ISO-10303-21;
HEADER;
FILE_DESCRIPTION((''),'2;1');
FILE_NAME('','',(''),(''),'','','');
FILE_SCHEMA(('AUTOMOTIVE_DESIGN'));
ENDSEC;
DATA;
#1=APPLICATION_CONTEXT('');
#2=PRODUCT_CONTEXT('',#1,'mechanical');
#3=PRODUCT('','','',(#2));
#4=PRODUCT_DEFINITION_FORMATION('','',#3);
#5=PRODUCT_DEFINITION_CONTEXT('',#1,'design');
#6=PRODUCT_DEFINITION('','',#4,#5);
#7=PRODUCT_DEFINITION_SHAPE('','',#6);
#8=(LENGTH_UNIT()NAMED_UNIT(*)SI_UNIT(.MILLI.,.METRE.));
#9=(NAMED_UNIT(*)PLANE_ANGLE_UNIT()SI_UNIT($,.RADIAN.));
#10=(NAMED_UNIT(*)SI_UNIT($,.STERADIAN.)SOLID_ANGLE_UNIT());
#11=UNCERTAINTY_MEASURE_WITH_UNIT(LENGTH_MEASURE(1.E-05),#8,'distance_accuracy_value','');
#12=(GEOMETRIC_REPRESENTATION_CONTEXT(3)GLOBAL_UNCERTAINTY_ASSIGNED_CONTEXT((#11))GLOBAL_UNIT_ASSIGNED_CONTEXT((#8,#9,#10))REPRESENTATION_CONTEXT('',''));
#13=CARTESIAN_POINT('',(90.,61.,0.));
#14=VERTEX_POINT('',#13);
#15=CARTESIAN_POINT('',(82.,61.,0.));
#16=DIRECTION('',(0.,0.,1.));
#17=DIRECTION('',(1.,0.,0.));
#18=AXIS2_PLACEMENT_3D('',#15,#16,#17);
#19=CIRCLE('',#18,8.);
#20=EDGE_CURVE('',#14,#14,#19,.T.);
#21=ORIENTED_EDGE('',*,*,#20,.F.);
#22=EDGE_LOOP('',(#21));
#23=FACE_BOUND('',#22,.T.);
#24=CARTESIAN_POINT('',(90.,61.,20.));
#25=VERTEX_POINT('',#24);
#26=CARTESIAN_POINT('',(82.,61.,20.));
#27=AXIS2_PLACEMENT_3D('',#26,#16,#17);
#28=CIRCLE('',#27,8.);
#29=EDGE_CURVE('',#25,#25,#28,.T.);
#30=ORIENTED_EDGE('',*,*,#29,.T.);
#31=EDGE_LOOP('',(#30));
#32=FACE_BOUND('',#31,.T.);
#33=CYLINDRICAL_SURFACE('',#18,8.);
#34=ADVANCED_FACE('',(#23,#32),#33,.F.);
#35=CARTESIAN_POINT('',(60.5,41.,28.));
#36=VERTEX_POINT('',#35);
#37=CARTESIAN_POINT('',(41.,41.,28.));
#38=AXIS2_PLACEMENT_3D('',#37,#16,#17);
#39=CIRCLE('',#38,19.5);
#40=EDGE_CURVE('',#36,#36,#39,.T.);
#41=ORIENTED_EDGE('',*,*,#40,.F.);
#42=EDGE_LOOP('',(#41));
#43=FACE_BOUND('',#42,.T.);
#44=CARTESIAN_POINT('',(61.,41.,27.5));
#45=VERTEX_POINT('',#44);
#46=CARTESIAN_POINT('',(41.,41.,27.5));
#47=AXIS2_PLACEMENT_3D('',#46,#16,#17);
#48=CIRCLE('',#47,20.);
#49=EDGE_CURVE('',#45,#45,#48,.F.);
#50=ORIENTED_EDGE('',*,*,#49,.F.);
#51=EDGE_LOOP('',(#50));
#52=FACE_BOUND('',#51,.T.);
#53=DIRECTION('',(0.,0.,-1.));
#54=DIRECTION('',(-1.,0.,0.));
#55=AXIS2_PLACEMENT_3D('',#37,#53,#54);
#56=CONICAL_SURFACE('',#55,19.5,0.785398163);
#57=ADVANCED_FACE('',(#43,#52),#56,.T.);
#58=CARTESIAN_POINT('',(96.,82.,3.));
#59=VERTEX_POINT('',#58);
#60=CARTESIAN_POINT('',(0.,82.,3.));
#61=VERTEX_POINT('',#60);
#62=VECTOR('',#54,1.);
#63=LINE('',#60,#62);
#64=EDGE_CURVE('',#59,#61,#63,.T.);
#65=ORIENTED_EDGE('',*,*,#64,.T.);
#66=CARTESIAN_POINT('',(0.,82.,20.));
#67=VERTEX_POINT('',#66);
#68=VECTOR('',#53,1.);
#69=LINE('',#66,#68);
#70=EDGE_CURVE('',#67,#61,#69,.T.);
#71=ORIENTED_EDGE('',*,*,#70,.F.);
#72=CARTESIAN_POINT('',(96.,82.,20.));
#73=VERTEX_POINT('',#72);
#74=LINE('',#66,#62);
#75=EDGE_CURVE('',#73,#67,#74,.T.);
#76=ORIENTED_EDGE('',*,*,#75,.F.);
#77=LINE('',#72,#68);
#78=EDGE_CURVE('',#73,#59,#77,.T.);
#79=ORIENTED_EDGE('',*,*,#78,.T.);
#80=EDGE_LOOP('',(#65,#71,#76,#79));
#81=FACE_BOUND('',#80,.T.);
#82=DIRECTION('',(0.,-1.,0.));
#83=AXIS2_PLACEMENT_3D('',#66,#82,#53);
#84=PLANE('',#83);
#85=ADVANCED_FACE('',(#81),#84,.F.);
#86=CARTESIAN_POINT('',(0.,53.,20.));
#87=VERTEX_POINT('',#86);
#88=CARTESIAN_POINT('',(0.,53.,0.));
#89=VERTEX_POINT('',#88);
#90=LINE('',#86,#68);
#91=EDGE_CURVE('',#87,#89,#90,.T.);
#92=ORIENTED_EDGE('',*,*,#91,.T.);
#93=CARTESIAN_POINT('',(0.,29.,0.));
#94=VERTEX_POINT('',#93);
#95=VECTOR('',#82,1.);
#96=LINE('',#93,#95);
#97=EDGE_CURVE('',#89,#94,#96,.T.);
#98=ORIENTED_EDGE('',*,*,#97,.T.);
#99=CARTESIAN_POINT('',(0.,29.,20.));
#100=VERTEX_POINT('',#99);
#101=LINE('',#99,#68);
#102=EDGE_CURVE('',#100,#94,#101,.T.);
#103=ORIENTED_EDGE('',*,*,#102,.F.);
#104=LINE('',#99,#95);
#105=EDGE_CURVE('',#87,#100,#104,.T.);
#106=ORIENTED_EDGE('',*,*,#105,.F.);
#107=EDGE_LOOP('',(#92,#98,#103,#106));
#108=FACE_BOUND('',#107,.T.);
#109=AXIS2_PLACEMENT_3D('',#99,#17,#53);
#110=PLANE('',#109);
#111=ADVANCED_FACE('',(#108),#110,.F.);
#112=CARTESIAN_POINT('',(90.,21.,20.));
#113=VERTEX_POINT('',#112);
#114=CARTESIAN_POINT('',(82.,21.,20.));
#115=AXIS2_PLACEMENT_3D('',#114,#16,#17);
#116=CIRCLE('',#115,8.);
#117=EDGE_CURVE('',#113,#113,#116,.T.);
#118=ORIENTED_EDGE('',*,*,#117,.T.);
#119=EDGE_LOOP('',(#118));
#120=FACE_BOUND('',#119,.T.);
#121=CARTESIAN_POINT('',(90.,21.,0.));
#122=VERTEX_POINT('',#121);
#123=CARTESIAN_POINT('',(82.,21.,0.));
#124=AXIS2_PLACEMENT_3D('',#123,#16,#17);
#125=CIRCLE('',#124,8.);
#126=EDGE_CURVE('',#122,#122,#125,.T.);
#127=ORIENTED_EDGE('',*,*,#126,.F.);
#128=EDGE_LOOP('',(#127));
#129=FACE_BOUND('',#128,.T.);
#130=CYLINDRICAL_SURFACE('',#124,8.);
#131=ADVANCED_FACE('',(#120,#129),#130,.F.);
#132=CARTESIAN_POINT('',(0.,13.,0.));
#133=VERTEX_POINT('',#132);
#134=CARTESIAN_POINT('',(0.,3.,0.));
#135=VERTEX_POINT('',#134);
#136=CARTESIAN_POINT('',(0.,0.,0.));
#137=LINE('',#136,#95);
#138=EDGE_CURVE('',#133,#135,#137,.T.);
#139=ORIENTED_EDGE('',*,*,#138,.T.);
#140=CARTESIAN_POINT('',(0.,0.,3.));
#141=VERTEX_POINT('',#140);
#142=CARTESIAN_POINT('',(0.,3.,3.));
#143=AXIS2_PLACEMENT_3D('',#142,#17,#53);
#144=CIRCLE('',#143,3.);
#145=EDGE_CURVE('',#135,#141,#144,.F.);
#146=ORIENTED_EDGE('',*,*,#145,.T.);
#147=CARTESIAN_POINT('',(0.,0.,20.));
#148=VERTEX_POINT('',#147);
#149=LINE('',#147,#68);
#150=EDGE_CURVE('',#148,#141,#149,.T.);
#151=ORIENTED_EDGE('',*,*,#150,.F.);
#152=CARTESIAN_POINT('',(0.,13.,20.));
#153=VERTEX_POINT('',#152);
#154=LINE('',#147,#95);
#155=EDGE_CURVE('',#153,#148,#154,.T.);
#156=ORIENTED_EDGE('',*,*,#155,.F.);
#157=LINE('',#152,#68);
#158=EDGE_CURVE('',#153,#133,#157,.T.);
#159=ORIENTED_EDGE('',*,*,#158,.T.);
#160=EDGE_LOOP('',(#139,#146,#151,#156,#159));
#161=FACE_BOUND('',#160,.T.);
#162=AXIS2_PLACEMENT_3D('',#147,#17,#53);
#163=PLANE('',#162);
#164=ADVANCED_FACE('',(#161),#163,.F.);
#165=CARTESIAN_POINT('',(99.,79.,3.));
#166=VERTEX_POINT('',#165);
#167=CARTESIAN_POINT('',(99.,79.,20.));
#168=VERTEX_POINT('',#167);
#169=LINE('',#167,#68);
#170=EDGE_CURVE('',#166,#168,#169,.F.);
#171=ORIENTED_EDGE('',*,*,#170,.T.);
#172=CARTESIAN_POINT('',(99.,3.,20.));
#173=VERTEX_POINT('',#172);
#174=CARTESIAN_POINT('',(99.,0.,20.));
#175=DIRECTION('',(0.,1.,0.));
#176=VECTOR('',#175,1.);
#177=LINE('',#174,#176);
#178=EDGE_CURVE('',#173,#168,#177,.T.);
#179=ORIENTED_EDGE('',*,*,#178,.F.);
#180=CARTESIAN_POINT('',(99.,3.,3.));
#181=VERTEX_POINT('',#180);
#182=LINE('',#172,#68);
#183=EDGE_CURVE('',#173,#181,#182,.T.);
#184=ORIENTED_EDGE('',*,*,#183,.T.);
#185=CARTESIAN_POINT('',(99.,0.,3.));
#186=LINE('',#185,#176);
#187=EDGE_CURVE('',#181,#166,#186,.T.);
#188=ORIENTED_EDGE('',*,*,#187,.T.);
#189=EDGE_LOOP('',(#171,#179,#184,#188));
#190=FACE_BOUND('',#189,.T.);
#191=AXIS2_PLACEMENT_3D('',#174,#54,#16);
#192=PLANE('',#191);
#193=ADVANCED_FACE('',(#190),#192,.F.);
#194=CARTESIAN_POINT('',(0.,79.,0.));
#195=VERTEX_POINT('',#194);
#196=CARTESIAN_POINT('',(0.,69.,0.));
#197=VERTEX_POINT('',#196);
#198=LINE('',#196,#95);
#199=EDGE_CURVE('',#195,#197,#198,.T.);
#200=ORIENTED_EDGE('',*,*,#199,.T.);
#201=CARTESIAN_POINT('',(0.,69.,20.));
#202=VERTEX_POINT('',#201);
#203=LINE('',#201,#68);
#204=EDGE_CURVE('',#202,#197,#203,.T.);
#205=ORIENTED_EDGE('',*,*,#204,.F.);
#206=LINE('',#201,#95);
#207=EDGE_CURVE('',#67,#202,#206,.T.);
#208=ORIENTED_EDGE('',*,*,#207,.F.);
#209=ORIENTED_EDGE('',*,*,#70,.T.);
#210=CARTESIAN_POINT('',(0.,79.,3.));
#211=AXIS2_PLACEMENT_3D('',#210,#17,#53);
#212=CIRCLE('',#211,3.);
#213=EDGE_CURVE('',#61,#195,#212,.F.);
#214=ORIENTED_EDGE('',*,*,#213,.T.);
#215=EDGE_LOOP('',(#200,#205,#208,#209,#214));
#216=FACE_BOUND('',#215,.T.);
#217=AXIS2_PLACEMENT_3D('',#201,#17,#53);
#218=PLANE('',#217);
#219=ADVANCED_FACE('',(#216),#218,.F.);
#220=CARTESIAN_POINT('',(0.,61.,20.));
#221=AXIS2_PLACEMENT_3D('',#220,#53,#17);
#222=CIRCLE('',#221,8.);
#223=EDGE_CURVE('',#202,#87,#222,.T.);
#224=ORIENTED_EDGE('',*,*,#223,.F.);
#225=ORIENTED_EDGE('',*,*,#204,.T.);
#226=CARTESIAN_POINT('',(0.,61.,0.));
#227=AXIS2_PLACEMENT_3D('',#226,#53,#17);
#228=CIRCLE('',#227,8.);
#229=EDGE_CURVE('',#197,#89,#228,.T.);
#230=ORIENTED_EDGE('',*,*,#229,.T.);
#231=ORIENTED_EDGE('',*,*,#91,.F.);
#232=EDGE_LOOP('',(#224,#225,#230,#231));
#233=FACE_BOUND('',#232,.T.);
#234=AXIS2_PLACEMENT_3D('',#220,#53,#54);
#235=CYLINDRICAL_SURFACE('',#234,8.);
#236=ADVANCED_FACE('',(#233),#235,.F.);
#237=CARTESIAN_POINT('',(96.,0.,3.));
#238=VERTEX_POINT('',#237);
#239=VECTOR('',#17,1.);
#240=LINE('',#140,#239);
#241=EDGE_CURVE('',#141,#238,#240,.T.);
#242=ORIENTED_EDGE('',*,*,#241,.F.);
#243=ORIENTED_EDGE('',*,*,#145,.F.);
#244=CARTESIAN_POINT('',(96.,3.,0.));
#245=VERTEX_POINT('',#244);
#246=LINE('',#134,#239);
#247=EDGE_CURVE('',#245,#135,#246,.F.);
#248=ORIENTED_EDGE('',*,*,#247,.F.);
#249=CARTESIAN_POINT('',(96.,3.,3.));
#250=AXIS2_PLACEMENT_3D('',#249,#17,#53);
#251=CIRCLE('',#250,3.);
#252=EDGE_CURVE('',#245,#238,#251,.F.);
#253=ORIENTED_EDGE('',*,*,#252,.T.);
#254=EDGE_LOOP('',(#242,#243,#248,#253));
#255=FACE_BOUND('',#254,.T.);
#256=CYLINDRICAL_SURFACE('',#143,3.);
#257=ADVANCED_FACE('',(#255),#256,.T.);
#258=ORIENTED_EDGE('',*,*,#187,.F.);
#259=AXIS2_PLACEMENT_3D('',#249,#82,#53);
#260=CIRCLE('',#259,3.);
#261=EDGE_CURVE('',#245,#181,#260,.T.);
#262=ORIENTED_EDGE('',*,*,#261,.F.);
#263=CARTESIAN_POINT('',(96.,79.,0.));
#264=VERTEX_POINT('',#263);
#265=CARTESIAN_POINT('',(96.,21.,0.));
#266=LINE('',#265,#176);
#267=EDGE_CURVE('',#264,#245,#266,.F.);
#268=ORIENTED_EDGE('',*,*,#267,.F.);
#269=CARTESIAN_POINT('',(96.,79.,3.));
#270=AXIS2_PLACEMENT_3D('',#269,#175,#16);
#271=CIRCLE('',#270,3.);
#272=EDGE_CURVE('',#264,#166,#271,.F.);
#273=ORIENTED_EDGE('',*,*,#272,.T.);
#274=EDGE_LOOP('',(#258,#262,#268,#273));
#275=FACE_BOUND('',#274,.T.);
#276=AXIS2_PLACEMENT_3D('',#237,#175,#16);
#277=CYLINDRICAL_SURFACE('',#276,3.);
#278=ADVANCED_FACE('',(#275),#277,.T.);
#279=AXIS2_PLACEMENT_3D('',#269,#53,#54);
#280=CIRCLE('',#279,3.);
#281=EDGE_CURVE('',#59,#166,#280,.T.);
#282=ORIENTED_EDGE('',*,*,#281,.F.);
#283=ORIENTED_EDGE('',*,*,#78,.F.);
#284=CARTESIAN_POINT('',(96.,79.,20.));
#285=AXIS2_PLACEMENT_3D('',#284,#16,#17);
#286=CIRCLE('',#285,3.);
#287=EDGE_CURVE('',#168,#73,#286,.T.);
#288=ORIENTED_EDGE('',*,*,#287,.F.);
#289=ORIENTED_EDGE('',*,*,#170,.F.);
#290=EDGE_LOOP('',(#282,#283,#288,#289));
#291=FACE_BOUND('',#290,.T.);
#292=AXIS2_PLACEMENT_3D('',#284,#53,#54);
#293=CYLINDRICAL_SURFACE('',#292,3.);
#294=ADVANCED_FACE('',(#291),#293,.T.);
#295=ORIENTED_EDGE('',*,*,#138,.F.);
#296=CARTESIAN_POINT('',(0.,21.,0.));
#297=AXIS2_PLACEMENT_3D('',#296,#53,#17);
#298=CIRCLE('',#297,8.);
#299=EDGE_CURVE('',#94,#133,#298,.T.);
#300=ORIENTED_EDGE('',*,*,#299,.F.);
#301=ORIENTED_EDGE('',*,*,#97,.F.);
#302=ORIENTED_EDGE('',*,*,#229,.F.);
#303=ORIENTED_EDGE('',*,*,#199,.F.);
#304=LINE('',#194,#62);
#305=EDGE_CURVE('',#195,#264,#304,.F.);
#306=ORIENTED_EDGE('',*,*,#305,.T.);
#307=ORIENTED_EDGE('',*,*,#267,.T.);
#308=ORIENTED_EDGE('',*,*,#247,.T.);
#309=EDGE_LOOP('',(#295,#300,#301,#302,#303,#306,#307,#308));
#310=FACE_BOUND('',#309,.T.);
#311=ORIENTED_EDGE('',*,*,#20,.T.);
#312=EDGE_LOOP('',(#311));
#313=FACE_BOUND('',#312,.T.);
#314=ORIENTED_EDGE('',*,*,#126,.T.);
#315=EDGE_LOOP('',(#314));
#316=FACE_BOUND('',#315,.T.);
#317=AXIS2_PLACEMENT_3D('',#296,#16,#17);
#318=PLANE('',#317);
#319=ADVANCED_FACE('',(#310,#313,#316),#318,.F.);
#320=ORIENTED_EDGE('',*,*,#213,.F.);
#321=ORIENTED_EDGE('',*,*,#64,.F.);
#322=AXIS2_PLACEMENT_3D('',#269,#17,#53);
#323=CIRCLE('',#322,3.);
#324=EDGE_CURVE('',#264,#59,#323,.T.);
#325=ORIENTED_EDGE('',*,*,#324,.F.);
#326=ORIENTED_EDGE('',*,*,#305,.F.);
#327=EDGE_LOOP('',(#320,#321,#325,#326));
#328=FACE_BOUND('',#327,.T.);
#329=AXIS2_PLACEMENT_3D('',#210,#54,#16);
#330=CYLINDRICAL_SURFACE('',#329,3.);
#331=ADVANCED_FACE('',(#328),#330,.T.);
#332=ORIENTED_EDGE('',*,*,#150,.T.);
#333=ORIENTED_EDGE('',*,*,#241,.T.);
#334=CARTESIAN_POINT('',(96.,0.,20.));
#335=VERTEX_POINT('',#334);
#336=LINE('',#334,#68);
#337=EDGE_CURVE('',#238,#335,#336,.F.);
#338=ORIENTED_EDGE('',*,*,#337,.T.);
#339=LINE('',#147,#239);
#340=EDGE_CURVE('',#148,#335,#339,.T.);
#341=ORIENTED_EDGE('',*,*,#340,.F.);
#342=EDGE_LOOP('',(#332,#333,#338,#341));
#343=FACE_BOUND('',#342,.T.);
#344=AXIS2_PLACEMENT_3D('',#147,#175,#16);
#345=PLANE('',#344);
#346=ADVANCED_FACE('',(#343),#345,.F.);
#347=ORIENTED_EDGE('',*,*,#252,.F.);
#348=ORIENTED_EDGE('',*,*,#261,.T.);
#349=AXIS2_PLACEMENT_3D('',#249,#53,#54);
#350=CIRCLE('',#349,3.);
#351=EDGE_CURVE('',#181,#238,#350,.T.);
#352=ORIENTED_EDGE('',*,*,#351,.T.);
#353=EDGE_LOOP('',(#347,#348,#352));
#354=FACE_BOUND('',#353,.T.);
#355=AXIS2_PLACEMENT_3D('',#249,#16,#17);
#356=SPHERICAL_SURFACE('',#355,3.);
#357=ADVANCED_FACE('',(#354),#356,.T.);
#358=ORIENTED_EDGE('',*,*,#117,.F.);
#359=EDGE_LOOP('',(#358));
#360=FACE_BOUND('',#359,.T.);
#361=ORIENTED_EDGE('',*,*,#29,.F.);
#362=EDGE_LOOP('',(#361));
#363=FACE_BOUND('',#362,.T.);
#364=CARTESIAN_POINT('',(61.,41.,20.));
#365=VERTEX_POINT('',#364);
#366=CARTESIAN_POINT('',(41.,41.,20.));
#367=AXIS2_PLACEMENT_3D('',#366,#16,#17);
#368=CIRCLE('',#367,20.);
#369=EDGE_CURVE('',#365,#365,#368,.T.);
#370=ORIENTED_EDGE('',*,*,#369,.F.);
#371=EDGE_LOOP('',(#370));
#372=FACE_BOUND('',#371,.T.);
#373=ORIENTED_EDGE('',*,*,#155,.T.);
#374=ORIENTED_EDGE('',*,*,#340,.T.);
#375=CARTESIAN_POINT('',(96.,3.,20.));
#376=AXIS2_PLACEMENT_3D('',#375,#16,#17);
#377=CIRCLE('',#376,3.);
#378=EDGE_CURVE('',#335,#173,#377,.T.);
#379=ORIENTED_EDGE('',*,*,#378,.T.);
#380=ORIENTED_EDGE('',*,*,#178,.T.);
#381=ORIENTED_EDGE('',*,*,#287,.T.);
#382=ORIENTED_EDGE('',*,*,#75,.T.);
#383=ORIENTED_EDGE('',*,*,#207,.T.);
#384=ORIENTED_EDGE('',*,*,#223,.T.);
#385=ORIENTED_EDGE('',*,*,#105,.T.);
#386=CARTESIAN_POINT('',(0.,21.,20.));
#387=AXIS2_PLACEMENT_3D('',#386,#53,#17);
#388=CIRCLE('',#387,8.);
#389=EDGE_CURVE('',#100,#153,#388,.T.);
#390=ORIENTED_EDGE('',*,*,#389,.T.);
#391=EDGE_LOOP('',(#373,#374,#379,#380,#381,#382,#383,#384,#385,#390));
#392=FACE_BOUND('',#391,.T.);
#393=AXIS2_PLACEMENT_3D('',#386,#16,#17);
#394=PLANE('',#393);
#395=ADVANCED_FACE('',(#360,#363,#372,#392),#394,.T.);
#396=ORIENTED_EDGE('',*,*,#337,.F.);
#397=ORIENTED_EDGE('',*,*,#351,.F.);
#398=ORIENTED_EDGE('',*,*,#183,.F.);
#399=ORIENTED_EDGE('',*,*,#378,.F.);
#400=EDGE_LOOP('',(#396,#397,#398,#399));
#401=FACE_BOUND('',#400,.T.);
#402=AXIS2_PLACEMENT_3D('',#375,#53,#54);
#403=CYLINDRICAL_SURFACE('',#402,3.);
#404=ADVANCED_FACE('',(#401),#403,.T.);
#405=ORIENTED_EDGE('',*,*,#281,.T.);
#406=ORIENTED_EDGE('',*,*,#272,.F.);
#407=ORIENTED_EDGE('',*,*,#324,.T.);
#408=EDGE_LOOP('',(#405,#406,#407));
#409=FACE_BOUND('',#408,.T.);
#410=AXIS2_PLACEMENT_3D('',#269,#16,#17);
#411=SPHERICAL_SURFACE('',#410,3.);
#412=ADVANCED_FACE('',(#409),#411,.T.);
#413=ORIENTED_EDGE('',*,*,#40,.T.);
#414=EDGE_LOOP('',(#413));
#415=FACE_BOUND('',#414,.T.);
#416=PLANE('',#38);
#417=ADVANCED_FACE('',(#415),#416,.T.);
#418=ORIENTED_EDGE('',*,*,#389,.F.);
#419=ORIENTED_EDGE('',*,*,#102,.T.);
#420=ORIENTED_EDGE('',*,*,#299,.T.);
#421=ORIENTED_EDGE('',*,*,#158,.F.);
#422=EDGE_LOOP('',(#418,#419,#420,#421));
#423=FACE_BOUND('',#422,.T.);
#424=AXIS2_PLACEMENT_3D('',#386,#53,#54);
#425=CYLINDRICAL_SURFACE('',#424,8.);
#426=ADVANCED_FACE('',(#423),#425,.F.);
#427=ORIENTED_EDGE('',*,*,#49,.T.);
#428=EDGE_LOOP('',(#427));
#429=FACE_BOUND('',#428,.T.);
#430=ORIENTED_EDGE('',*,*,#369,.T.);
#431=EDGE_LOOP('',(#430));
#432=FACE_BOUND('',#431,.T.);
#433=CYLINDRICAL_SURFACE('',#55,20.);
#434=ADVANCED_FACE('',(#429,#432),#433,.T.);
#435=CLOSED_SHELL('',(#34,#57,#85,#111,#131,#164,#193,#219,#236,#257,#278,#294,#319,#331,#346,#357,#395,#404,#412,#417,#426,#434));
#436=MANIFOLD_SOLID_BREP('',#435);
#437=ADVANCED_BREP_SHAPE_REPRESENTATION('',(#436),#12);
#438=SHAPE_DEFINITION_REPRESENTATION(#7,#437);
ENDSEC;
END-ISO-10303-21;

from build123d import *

# Parameters (mm, degrees)
BOSS_EXTRUDE1_DEPTH = 20
SKETCH2_R           = 8
CUT_EXTRUDE1_DEPTH  = 21
LPATTERN1_COUNT     = 2
LPATTERN1_PITCH     = 40
SKETCH3_R           = 20
BOSS_EXTRUDE2_DEPTH = 8
CHAMFER1_SIZE       = 0.5
FILLET1_R           = 3


with BuildPart() as part:
    # Sketch1 → Boss-Extrude1 (new body)
    with BuildSketch(Plane.XY):
        with BuildLine():
            Line((0, 69), (0, 82))
            Line((0, 82), (99, 82))
            Line((99, 82), (99, 0))
            Line((99, 0), (0, 0))
            Line((0, 0), (0, 13))
            ThreePointArc((0, 13), (8, 21), (0, 29))
            Line((0, 29), (0, 53))
            ThreePointArc((0, 53), (8, 61), (0, 69))
        make_face()
    extrude(amount=BOSS_EXTRUDE1_DEPTH)

    # Sketch2 → Cut-Extrude1 (cut, through all)
    with BuildSketch(Plane.XY.offset(20)):
        with Locations((82, 21)):
            Circle(SKETCH2_R)
    cut_extrude1 = extrude(amount=-CUT_EXTRUDE1_DEPTH, mode=Mode.SUBTRACT)

    # LPattern1: Cut-Extrude1 ×2
    with Locations(*[(0, i * LPATTERN1_PITCH, 0) for i in range(1, LPATTERN1_COUNT)]):
        add(cut_extrude1, mode=Mode.SUBTRACT)

    # Sketch3 → Boss-Extrude2 (add)
    with BuildSketch(Plane.XY.offset(20)):
        with Locations((41, 41)):
            Circle(SKETCH3_R)
    extrude(amount=BOSS_EXTRUDE2_DEPTH)

    # Chamfer1
    chamfer1_edges = [part.edges().sort_by_distance(p)[0] for p in [
        (21, 41, 28),
    ]]
    chamfer(chamfer1_edges, length=CHAMFER1_SIZE)

    # Fillet1
    fillet1_edges = [part.edges().sort_by_distance(p)[0] for p in [
        (49.5, 82, 0),
        (99, 41, 0),
        (49.5, 0, 0),
        (99, 82, 10),
        (99, 0, 10),
    ]]
    fillet(fillet1_edges, radius=FILLET1_R)


solid = part.part
